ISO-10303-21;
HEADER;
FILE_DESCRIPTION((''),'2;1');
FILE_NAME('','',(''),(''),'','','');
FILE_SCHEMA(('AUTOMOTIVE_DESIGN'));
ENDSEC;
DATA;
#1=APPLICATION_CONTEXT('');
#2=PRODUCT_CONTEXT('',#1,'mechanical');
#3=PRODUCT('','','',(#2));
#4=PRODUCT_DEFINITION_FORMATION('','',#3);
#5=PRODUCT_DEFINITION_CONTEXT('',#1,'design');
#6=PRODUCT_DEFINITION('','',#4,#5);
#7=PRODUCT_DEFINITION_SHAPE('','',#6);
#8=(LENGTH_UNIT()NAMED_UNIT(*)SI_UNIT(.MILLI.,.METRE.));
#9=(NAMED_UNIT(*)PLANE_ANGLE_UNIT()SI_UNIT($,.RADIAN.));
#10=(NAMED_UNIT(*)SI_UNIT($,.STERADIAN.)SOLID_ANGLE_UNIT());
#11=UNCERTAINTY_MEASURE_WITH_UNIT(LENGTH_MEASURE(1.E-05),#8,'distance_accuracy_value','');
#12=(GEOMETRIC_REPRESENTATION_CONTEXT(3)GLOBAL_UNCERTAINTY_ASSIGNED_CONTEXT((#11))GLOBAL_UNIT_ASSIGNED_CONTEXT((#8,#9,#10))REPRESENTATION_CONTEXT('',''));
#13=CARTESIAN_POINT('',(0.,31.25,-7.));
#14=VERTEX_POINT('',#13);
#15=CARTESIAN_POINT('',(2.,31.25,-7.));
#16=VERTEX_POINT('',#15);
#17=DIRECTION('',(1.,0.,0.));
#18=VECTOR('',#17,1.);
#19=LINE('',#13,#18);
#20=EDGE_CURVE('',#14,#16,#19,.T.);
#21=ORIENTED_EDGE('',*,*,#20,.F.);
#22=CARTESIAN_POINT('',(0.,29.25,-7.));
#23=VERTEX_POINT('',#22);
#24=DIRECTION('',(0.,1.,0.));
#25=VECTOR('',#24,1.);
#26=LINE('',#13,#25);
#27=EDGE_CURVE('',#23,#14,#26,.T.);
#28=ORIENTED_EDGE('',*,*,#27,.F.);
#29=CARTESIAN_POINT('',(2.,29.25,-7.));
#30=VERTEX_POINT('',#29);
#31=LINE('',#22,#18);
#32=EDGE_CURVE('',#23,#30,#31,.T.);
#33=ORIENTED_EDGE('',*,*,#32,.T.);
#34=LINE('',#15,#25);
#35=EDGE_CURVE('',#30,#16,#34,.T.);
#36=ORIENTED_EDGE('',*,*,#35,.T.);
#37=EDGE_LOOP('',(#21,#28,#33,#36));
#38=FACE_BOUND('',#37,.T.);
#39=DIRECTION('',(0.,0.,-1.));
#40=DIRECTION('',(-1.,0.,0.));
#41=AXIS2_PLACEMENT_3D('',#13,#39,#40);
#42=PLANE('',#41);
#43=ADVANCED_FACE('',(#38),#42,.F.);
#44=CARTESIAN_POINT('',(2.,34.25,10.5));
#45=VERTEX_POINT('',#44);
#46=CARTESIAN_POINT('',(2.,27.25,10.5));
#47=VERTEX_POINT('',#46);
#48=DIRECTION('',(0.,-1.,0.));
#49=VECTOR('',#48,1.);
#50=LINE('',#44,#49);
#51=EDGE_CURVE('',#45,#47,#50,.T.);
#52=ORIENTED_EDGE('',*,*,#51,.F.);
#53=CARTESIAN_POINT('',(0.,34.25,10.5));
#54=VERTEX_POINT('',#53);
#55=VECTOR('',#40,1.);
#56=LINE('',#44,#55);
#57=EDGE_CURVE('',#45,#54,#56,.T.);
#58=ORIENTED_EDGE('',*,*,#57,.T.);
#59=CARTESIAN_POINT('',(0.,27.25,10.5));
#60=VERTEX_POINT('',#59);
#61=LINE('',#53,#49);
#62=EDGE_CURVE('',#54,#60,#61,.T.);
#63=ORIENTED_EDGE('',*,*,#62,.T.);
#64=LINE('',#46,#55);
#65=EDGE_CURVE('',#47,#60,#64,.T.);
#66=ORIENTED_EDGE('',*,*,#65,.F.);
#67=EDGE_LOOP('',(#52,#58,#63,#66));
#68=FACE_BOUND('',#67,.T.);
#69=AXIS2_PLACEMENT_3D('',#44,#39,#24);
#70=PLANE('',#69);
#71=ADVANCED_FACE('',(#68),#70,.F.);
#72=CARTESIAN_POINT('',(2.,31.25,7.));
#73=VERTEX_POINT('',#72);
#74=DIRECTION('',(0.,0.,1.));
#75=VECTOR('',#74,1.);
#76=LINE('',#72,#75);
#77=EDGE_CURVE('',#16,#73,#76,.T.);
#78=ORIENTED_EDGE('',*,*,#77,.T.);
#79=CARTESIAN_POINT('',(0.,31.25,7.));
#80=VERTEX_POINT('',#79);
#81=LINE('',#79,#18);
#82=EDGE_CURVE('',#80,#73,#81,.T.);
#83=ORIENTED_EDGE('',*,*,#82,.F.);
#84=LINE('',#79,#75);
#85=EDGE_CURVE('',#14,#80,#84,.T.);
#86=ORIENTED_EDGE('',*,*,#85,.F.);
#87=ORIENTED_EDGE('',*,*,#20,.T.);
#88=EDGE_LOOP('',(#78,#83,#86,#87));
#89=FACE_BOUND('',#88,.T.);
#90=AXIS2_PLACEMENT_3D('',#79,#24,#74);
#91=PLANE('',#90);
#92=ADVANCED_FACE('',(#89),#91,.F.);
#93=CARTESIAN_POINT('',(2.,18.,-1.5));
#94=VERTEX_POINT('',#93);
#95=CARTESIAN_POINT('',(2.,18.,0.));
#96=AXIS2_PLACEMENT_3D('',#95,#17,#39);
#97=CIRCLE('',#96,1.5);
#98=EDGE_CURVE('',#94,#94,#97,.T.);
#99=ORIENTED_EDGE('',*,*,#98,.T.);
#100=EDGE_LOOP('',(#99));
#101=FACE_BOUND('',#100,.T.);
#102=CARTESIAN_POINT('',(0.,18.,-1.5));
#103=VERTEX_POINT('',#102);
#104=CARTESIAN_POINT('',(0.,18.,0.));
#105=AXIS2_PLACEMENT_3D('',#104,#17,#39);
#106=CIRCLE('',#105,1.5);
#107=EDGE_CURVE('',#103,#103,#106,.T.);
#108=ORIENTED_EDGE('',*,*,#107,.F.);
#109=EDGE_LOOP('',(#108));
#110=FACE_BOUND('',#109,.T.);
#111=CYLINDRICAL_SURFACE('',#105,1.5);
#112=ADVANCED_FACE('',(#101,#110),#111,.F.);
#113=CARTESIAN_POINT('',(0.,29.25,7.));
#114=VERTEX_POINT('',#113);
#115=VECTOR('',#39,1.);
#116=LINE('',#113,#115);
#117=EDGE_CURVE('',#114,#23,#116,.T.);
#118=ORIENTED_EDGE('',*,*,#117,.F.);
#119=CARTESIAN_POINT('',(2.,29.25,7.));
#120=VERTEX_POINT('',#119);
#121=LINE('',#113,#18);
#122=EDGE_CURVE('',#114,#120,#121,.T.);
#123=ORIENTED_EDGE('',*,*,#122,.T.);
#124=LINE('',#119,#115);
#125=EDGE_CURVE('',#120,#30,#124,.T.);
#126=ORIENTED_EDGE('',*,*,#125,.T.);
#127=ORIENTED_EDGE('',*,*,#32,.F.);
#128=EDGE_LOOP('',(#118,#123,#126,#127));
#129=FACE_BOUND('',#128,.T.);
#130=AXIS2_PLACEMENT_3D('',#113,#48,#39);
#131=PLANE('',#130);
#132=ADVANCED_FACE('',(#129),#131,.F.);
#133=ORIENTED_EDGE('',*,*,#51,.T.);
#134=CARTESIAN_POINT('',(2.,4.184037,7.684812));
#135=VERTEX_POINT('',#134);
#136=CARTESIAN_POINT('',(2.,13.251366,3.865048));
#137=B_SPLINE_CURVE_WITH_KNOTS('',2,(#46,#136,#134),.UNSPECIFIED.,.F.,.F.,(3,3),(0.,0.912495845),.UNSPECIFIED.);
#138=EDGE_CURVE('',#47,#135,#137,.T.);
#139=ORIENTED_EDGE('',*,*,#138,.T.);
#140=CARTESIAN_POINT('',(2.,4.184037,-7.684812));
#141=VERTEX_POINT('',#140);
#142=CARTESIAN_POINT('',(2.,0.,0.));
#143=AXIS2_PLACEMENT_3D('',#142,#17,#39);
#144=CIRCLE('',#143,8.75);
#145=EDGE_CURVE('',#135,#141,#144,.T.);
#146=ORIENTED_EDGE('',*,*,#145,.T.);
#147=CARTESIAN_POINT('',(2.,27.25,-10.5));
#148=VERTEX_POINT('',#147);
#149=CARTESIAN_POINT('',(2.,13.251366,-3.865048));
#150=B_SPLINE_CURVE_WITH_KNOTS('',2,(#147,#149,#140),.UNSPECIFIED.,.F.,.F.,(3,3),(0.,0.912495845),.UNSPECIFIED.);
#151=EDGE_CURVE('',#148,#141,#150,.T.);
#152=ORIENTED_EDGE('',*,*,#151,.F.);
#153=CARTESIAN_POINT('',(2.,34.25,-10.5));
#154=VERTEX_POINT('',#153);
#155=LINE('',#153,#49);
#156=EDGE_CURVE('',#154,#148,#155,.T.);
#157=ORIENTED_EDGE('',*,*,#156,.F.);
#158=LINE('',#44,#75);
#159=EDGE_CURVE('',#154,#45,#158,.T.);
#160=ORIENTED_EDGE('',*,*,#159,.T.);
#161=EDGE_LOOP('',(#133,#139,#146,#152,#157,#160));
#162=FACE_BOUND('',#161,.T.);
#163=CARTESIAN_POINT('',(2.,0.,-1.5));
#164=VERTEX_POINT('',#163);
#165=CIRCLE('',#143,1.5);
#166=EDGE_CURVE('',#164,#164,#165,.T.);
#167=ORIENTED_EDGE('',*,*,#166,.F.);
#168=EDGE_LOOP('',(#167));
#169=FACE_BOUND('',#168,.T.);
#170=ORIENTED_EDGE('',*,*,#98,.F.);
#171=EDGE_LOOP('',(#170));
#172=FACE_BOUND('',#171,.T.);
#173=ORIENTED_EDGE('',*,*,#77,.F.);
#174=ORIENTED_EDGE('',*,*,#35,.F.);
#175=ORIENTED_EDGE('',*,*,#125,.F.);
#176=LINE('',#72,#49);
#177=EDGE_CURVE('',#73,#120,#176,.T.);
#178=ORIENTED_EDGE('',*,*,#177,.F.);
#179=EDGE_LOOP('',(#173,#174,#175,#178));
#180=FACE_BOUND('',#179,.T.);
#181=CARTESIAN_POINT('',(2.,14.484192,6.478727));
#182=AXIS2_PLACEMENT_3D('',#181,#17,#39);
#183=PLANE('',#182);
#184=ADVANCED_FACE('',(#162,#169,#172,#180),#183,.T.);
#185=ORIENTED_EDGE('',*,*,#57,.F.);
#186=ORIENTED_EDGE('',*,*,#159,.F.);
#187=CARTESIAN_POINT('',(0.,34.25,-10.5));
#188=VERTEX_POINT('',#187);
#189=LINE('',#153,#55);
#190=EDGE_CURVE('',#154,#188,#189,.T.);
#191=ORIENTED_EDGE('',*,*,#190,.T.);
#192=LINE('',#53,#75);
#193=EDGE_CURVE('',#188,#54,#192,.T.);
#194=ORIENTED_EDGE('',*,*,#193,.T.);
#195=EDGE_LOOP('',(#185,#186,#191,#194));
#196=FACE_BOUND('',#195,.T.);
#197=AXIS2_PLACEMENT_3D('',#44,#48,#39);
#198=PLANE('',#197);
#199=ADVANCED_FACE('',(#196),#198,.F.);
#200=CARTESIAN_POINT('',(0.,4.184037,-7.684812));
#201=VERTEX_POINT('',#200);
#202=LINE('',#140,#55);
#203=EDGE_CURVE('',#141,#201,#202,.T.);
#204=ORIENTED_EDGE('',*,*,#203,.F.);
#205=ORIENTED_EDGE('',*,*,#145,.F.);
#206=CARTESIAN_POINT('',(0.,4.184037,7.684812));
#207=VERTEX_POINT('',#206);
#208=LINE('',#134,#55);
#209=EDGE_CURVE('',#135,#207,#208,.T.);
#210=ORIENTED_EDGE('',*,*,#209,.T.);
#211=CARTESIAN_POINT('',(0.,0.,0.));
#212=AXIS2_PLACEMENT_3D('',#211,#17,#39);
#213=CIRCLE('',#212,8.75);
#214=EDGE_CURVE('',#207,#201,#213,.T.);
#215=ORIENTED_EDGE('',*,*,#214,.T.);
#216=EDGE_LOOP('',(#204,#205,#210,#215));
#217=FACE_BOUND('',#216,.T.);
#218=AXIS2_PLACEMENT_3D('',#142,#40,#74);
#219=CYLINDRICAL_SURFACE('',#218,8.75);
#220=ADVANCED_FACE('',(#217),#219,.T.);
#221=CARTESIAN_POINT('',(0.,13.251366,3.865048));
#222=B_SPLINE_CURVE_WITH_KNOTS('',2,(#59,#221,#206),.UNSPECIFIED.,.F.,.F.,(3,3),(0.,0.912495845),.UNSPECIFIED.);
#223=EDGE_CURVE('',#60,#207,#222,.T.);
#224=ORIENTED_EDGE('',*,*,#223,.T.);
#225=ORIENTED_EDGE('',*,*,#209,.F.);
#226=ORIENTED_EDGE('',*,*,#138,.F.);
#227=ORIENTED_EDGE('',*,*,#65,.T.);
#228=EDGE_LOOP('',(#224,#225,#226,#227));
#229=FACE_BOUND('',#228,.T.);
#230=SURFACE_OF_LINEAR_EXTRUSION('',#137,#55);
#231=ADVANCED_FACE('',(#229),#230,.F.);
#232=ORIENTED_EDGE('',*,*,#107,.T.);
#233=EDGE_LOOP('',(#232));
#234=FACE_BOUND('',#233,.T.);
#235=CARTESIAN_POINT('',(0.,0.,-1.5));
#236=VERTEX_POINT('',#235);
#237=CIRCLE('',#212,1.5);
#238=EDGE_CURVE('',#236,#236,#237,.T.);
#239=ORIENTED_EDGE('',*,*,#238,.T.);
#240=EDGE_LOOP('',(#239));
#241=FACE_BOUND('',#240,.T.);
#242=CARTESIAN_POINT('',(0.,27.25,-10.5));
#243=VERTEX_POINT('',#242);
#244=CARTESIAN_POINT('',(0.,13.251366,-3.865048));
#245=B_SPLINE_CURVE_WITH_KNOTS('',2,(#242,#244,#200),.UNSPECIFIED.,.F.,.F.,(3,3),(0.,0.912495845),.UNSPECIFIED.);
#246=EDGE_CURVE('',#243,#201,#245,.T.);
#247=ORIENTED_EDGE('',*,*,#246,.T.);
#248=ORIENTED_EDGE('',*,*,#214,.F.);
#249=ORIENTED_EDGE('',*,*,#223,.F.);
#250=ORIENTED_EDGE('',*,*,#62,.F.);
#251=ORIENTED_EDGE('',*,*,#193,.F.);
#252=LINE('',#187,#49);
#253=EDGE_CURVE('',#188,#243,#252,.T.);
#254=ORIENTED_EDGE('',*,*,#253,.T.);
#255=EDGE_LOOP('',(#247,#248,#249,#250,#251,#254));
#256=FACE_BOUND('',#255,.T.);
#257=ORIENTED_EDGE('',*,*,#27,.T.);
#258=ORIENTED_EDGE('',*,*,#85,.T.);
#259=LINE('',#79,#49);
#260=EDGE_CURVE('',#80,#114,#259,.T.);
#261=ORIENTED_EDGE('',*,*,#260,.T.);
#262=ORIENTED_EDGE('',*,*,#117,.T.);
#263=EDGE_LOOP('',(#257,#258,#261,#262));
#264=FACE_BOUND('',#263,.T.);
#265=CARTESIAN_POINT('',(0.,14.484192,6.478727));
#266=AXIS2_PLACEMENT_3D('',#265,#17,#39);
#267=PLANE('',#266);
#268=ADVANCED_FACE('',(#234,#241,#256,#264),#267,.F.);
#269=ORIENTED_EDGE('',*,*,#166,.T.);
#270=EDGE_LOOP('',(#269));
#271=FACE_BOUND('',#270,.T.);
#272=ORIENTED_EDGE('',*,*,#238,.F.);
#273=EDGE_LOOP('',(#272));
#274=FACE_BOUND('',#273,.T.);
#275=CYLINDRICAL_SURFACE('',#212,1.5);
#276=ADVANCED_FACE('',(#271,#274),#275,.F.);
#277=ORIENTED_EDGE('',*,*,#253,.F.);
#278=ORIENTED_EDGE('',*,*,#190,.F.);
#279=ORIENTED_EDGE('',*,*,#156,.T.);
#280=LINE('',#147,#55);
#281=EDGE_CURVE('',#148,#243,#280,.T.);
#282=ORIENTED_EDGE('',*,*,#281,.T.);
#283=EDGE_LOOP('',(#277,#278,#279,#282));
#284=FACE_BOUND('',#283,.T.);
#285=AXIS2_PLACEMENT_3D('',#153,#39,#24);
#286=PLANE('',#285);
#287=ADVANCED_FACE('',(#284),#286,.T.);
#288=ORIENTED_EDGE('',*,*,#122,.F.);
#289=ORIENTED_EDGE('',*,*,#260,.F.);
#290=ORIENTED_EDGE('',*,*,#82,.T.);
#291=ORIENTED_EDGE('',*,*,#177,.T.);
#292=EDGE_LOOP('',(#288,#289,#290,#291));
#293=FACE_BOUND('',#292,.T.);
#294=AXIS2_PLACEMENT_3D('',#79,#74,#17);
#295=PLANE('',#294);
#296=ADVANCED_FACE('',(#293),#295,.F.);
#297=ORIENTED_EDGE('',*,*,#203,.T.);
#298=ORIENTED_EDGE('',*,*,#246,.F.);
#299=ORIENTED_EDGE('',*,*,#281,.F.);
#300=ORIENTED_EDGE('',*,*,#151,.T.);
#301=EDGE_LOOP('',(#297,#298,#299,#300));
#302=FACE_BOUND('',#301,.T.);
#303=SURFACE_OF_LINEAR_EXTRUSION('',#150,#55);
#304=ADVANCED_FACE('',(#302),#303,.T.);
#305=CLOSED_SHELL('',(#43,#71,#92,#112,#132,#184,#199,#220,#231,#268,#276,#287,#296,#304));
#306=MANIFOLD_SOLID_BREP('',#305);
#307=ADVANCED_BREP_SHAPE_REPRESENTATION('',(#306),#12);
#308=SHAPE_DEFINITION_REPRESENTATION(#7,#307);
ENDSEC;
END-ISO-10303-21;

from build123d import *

# Parameters (mm, degrees)
RESSALTO_EXTRUS_O1_DEPTH = 2
ESBO_O2_R                = 1.5
ESBO_O2_W                = 14
ESBO_O2_H                = 2
CORTE_EXTRUS_O1_DEPTH    = 3.0000001


with BuildPart() as part:
    # Esboço1 → Ressalto-extrusão1 (new body)
    with BuildSketch(Plane(origin=(0, 0, 0), x_dir=(0, 0, -1), z_dir=(1, 0, 0))):
        with BuildLine():
            Line((-10.5, 34.25), (0, 34.25))
            Line((0, 34.25), (0, -8.75))
            ThreePointArc((0, -8.75), (-7.522394047, -4.46946169), (-7.684811888, 4.184037075))
            add(Edge.make_bspline(
                [(-10.5, 27.25), (-3.865048066, 13.251366251), (-7.684811888, 4.184037075)],
                knots=[0, 0, 0, 0.912495845, 0.912495845, 0.912495845], degree=2))
            Line((-10.5, 27.25), (-10.5, 34.25))
        make_face()
    ressalto_extrus_o1 = extrude(amount=RESSALTO_EXTRUS_O1_DEPTH)

    # Espelhar1: Ressalto-extrusão1 across plane
    add(ressalto_extrus_o1.mirror(Plane(origin=(2, 34.25, 0), x_dir=(1, 0, 0), z_dir=(0, 0, 1))))

    # Esboço2 → Corte-extrusão1 (cut, through all)
    with BuildSketch(Plane(origin=(2, 0, 0), x_dir=(0, 0, -1), z_dir=(1, 0, 0))):
        with Locations((0, 18)):
            Circle(ESBO_O2_R)
        Circle(ESBO_O2_R)
        with Locations((0, 30.25)):
            Rectangle(ESBO_O2_W, ESBO_O2_H)
    extrude(amount=-CORTE_EXTRUS_O1_DEPTH, mode=Mode.SUBTRACT)


solid = part.part
